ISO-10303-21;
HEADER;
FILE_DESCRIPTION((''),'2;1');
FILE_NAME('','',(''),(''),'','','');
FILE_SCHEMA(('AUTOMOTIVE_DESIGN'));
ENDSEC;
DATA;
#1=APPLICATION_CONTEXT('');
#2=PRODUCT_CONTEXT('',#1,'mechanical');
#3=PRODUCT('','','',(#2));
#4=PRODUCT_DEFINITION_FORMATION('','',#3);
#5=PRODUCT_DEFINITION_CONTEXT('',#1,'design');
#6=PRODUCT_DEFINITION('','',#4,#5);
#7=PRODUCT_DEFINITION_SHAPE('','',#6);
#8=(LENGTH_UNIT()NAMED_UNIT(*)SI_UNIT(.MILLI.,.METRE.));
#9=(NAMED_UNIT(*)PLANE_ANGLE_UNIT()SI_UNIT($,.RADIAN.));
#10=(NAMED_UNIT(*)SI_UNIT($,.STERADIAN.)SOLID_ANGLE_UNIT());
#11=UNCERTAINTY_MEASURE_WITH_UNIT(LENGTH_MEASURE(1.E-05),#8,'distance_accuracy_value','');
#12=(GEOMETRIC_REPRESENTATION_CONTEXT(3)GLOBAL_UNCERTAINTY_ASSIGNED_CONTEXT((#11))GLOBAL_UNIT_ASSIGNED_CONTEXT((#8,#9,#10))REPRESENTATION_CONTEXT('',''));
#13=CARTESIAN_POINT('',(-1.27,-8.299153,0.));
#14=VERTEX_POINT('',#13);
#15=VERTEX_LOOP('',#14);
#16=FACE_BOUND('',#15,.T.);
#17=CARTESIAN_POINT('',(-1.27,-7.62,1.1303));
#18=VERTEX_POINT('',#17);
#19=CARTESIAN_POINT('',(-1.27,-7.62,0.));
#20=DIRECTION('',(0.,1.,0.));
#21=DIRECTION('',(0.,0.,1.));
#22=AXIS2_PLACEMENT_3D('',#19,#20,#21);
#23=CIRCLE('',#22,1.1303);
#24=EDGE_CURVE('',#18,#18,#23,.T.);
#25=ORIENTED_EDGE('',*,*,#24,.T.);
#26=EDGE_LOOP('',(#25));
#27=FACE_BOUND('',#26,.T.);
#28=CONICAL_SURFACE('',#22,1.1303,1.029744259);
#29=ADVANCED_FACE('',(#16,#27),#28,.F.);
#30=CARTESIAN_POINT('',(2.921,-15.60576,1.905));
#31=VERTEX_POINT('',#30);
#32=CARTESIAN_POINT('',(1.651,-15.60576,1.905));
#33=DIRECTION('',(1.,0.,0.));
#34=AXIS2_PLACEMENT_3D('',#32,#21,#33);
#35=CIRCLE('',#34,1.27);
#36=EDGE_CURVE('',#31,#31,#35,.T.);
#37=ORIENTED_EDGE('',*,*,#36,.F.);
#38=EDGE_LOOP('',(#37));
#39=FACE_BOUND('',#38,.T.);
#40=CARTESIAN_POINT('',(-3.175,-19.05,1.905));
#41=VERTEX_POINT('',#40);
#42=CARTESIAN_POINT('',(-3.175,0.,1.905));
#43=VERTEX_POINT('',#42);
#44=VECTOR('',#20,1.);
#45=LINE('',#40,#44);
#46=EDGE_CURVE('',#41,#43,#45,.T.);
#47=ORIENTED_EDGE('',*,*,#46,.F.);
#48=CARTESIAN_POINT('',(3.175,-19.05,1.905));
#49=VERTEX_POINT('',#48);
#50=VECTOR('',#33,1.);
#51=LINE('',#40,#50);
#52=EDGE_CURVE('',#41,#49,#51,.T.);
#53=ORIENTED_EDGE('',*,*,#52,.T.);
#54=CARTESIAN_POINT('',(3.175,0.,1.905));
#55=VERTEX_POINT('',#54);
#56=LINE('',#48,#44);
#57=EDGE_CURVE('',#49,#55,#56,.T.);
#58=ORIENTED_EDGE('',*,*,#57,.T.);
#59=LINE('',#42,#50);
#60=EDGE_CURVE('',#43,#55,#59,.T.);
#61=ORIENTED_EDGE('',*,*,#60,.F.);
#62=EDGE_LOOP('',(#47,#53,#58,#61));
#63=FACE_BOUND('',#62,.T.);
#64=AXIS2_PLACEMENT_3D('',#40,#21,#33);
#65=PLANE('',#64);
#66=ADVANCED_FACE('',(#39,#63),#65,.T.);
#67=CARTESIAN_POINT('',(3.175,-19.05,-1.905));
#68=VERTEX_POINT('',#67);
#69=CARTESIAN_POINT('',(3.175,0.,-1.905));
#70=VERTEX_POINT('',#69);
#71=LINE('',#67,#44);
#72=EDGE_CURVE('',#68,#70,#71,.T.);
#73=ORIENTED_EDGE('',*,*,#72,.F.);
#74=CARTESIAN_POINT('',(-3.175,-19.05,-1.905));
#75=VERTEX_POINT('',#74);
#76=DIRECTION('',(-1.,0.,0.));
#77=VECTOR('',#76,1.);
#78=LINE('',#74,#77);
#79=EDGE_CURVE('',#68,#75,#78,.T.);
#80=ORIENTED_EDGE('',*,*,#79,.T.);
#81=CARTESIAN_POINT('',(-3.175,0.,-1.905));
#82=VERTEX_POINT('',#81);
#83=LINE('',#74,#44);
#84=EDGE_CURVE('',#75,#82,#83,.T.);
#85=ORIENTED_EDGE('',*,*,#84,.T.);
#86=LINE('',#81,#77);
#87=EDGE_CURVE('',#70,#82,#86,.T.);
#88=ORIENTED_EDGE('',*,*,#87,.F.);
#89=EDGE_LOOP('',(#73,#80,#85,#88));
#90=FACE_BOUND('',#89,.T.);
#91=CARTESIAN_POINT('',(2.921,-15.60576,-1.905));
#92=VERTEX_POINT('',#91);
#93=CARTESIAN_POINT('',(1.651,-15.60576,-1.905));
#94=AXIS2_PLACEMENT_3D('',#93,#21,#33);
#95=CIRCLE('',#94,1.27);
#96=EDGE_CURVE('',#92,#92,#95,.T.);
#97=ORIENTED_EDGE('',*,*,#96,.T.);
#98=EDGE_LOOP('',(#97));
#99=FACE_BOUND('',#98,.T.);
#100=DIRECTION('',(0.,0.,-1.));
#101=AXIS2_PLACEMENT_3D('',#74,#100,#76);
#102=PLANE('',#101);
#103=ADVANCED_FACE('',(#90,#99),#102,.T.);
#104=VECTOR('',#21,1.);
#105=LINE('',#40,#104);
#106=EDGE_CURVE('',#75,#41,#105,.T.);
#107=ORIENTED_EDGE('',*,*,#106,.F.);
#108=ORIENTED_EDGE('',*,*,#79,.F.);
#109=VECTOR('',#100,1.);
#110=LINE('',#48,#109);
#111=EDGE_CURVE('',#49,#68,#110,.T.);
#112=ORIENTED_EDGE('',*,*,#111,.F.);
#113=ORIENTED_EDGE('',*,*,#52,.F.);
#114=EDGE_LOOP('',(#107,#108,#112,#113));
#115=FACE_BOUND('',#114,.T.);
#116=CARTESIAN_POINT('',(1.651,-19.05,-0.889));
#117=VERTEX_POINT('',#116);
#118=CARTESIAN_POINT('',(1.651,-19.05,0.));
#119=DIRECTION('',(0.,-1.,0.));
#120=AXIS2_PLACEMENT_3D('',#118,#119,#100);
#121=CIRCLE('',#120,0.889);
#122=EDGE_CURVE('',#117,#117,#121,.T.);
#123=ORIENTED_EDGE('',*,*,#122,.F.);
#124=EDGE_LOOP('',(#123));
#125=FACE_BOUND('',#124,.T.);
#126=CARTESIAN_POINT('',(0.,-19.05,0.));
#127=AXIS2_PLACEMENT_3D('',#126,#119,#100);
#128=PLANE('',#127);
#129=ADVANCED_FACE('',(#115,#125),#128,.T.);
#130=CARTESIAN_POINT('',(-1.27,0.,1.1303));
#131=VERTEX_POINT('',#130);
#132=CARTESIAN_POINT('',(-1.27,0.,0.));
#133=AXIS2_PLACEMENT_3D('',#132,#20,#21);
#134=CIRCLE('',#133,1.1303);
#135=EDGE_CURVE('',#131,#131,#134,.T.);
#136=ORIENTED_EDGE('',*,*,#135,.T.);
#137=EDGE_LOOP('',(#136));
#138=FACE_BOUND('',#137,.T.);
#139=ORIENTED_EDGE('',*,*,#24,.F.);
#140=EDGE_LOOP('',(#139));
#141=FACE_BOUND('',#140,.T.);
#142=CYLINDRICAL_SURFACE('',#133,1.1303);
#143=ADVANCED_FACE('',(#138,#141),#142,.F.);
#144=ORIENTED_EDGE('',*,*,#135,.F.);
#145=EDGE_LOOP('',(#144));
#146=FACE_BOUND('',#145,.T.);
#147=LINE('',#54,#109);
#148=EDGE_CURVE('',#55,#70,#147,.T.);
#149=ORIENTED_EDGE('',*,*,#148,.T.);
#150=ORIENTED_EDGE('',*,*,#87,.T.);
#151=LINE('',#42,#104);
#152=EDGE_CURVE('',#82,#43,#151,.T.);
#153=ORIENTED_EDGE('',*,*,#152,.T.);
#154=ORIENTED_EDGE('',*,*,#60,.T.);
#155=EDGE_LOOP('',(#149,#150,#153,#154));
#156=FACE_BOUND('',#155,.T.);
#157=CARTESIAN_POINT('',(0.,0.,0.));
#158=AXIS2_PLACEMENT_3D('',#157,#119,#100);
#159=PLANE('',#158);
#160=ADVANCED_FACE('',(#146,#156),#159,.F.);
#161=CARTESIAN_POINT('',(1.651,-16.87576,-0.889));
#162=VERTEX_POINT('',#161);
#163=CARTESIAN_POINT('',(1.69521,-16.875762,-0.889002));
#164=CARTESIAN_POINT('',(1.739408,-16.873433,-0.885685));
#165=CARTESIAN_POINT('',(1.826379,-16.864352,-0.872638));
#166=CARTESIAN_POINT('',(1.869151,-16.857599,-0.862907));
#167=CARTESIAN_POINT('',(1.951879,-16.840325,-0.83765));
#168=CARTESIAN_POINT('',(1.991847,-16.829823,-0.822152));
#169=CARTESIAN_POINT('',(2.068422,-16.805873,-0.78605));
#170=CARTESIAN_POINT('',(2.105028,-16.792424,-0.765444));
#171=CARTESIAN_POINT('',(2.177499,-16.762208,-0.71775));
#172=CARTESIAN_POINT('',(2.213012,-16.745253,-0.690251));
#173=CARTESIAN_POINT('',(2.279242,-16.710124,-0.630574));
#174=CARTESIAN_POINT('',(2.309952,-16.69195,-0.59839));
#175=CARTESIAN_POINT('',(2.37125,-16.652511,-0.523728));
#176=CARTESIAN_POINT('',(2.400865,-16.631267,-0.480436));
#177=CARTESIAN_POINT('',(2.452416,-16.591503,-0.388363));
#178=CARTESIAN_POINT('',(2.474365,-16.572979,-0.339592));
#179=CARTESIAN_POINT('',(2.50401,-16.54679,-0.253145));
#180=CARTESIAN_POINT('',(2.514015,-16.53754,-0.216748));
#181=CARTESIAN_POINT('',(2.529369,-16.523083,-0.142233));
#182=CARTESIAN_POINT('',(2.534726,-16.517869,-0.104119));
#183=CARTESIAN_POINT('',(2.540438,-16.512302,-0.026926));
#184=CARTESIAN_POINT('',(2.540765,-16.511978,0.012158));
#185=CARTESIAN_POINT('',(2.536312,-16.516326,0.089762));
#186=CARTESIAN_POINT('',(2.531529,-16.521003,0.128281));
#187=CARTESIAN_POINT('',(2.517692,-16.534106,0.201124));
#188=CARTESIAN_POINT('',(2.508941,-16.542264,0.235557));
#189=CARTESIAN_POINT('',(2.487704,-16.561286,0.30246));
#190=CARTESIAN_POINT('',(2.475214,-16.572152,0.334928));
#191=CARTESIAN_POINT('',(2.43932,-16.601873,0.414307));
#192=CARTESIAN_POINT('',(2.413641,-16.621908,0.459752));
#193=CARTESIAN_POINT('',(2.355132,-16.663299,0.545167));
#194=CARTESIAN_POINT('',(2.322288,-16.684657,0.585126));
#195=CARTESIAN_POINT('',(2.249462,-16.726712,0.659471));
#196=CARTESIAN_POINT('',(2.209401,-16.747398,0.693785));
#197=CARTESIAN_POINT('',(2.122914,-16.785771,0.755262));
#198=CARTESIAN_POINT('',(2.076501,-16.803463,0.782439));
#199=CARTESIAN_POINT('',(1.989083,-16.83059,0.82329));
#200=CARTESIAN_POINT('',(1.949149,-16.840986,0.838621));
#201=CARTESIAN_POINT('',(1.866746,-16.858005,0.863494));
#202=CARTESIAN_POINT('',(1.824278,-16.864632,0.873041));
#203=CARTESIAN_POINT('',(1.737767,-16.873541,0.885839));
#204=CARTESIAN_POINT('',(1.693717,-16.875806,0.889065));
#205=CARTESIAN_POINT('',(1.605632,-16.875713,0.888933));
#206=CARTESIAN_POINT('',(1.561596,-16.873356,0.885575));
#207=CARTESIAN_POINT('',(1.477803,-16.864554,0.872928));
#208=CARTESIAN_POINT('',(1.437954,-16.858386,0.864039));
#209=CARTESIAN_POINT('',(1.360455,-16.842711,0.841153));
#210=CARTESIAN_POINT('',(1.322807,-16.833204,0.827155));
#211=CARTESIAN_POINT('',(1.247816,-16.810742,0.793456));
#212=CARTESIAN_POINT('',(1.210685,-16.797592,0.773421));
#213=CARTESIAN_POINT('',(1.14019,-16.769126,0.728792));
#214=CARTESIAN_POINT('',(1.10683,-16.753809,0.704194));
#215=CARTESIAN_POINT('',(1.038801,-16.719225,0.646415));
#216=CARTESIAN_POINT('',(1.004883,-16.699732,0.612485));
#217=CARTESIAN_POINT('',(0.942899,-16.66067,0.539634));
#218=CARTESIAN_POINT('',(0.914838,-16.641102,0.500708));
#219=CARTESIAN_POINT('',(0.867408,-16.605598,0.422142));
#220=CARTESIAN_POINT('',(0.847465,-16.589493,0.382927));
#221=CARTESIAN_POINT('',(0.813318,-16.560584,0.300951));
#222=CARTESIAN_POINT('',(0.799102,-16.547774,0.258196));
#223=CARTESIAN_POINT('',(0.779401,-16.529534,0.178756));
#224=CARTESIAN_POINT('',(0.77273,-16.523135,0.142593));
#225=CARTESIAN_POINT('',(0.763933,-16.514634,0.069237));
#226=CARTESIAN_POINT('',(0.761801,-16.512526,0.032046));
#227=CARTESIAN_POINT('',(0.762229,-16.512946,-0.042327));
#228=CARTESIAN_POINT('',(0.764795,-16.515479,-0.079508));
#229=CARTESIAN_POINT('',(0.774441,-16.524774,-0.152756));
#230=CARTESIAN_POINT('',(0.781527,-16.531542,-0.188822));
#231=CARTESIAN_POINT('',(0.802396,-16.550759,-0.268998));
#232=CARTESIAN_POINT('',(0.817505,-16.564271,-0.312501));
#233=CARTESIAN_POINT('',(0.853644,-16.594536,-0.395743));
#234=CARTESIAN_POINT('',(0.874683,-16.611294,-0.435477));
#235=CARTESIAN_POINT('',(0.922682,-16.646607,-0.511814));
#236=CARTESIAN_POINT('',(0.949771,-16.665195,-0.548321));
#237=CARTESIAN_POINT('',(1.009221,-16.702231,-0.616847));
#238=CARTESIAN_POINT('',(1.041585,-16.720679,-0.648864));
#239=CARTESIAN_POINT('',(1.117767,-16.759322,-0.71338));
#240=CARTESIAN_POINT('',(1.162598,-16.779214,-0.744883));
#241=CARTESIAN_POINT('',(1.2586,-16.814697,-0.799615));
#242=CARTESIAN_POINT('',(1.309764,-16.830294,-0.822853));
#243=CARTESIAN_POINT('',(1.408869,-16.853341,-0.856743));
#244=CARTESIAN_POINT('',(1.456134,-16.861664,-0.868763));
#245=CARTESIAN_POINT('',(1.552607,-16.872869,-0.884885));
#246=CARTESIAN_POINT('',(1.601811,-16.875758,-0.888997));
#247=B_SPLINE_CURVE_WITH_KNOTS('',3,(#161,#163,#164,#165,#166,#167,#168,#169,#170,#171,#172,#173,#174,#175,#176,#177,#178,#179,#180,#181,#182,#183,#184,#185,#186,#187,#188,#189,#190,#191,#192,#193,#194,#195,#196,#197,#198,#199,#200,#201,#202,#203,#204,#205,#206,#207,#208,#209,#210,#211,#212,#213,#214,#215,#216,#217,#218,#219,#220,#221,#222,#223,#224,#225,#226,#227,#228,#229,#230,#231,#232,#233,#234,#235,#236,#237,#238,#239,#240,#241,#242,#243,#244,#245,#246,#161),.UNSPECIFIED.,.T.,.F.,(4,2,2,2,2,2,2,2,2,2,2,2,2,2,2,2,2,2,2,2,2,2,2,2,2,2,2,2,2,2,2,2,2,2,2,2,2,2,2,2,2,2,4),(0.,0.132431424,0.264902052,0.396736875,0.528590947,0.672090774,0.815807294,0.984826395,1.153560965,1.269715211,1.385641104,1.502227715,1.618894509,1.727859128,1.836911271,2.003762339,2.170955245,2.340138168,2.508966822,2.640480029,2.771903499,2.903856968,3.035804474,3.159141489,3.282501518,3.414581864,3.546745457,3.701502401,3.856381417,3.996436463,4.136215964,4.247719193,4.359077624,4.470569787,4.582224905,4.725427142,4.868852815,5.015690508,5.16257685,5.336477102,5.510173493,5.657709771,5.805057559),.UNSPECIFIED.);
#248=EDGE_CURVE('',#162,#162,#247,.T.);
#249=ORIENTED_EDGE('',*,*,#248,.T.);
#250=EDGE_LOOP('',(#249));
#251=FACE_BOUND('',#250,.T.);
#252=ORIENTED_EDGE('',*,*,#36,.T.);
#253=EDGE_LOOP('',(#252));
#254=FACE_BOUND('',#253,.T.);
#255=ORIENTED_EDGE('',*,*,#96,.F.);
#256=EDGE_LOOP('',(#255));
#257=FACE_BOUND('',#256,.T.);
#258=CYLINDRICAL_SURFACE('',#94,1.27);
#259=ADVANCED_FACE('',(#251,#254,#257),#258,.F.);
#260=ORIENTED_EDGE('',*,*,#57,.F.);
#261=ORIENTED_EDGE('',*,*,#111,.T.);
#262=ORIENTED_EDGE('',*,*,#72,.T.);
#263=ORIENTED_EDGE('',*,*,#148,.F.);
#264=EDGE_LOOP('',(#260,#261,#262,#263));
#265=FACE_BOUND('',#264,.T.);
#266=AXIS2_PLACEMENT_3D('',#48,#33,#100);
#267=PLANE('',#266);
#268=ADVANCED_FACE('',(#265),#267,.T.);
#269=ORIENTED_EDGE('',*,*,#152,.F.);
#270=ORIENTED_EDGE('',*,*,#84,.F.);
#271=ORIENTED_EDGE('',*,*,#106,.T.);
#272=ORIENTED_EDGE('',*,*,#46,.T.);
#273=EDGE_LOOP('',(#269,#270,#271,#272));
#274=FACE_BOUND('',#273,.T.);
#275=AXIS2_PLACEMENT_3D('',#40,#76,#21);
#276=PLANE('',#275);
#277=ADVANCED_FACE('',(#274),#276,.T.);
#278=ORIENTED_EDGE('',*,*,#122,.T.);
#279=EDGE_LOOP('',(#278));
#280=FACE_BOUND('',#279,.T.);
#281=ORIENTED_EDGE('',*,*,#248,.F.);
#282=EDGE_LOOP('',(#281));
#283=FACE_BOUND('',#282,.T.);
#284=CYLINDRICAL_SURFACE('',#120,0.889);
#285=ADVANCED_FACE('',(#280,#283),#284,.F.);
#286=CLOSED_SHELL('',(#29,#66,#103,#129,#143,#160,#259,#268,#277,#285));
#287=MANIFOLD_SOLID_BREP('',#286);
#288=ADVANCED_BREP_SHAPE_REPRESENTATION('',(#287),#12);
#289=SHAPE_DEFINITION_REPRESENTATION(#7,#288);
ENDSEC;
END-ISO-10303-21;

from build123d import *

# Parameters (mm, degrees)
SKETCH1_W                  = 6.35
SKETCH1_H                  = 3.81
BOSS_EXTRUDE1_DEPTH        = 19.05
F_4_40_TAPPED_HOLE1_D      = 2.2606
F_4_40_TAPPED_HOLE1_DEPTH  = 7.62
F_4_40_TAPPED_HOLE1_TIP    = 0.679152758
SKETCH8_R                  = 1.27
CUT_EXTRUDE3_DEPTH         = 20.685
F_2_56_TAPPED_HOLE2_REACH  = 21.406
F_2_56_TAPPED_HOLE2_BORE_R = 0.889


with BuildPart() as part:
    # Sketch1 → Boss-Extrude1 (new body)
    with BuildSketch(Plane(origin=(0, 0, 0), x_dir=(1, 0, 0), z_dir=(0, 1, 0))):
        Rectangle(SKETCH1_W, SKETCH1_H)
    extrude(amount=-BOSS_EXTRUDE1_DEPTH)

    # #4-40 Tapped Hole1
    with Locations(Plane(origin=(0, 0, 0), x_dir=(1, 0, 0), z_dir=(0, 1, 0))):
        with Locations((-1.27, 0)):
            Hole(F_4_40_TAPPED_HOLE1_D / 2, depth=F_4_40_TAPPED_HOLE1_DEPTH)
            with Locations((0, 0, -(F_4_40_TAPPED_HOLE1_DEPTH + F_4_40_TAPPED_HOLE1_TIP / 2))):  # 118° drill point
                Cone(0, F_4_40_TAPPED_HOLE1_D / 2, F_4_40_TAPPED_HOLE1_TIP, mode=Mode.SUBTRACT)

    # Sketch8 → Cut-Extrude3 (cut, through all)
    with BuildSketch(Plane.XY.offset(1.905)):
        with Locations((1.651, -15.60576)):
            Circle(SKETCH8_R)
    extrude(amount=-CUT_EXTRUDE3_DEPTH, mode=Mode.SUBTRACT)

    # #2-56 Tapped Hole2 bore → #2-56 Tapped Hole2 (cut, up to next)
    with BuildSketch(Plane(origin=(0, -19.05, 0), x_dir=(-1, 0, 0), z_dir=(0, -1, 0)), mode=Mode.PRIVATE) as f_2_56_tapped_hole2_sk1:
        with Locations((-1.651, 0)):
            Circle(F_2_56_TAPPED_HOLE2_BORE_R)
    f_2_56_tapped_hole2_tool1 = extrude(f_2_56_tapped_hole2_sk1.sketch, amount=-F_2_56_TAPPED_HOLE2_REACH, mode=Mode.PRIVATE) & part.part
    add(f_2_56_tapped_hole2_tool1.solids().sort_by_distance((1.651, -19.05, 0))[0], mode=Mode.SUBTRACT)


solid = part.part
